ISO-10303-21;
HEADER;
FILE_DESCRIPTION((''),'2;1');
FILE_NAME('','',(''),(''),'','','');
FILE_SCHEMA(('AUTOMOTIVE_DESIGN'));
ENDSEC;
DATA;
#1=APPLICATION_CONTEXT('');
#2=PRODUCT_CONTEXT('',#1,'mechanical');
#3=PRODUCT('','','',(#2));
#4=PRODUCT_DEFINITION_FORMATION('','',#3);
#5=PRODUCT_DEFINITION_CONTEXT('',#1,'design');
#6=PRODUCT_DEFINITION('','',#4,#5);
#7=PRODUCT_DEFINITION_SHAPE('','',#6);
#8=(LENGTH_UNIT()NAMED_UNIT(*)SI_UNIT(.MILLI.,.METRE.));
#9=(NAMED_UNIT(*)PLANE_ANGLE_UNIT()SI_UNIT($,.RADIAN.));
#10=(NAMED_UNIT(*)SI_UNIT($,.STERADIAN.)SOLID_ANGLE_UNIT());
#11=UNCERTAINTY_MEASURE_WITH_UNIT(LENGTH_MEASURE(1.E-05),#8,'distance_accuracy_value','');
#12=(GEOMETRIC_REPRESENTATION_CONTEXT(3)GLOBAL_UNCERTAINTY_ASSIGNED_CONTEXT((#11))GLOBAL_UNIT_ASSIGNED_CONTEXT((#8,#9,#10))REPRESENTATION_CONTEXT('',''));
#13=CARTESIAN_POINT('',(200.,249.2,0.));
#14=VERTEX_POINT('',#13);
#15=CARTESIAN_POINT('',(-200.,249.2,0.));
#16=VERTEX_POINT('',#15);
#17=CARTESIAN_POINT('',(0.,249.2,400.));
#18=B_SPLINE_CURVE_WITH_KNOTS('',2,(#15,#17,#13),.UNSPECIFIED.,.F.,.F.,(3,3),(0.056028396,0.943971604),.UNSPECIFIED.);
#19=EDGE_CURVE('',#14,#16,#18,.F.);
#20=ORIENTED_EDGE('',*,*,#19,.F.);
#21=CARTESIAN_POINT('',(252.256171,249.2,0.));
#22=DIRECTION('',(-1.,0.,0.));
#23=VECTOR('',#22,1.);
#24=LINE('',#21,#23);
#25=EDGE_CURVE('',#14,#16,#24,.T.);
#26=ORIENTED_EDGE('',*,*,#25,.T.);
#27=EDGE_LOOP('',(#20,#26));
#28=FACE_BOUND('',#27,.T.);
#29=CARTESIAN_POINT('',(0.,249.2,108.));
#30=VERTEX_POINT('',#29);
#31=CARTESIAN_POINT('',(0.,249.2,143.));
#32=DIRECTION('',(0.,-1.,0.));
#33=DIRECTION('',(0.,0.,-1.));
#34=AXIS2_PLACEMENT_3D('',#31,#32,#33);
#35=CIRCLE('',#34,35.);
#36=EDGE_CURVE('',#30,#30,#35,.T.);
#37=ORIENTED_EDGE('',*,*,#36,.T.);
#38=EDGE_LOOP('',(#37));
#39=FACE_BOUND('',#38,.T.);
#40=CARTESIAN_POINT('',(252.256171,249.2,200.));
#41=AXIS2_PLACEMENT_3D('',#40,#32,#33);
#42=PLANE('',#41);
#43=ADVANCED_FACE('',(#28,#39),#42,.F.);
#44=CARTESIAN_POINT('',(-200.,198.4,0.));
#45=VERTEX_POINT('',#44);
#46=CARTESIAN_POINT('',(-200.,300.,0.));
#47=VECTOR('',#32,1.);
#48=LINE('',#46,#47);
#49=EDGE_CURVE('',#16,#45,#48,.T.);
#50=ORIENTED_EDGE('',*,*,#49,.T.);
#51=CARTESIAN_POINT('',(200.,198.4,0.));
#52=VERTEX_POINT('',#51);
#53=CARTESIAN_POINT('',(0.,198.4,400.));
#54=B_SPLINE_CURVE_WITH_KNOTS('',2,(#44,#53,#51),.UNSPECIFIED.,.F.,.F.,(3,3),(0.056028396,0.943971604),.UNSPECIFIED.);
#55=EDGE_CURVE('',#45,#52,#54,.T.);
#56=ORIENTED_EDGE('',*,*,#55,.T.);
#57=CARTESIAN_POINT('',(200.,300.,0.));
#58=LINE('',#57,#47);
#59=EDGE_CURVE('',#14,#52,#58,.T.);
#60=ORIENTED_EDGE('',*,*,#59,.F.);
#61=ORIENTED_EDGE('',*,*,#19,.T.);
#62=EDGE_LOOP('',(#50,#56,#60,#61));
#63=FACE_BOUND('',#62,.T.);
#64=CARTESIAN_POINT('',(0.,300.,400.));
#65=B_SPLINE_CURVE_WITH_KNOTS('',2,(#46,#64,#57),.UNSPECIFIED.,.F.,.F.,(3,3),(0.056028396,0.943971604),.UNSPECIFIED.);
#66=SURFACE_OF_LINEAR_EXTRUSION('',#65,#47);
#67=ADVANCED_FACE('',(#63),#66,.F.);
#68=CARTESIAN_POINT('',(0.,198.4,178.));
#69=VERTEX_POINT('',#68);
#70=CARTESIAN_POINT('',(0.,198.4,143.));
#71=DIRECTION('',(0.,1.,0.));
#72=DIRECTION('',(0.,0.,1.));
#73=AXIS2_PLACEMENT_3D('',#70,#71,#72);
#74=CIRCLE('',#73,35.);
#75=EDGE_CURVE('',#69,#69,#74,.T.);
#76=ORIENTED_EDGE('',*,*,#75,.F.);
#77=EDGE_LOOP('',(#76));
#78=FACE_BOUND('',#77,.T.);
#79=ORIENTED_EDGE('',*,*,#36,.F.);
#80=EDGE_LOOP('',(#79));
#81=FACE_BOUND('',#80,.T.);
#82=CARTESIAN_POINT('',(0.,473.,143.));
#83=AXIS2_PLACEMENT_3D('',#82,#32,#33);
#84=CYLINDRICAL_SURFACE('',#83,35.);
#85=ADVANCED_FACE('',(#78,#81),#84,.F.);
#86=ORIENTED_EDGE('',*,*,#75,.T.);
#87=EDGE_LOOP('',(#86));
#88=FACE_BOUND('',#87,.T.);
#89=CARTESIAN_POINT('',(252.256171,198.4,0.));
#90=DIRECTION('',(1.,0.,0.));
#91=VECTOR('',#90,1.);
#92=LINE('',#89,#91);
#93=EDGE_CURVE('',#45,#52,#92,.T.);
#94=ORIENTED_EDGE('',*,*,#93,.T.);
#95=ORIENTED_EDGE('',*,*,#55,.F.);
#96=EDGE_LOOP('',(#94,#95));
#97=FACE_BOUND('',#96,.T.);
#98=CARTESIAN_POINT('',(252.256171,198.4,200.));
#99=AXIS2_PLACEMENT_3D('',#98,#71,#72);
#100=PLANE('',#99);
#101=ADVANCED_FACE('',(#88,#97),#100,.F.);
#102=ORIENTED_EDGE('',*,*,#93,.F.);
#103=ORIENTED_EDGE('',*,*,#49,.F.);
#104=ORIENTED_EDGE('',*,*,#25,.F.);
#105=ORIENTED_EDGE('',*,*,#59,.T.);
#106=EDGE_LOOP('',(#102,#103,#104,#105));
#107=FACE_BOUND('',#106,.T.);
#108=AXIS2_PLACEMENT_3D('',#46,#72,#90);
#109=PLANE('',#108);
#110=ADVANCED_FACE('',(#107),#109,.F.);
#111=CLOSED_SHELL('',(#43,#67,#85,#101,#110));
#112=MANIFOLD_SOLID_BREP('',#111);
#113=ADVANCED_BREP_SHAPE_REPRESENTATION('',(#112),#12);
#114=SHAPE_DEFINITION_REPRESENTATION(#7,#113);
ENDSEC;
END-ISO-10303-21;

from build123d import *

# Parameters (mm, degrees)
BOSS_EXTRUDE1_DEPTH     = 300
SKETCH3_R               = 15.5
CUT_EXTRUDE1_DEPTH      = 23
CUT_EXTRUDE1_DEPTH_BACK = 23
SKETCH4_R               = 35
CUT_EXTRUDE3_DEPTH      = 300
SKETCH5_W               = 496.22566609
SKETCH5_H               = 70.680473068
SKETCH5_W_2             = 504.512342242
SKETCH5_H_2             = 238.363802277
CUT_EXTRUDE4_DEPTH      = 201.0000001


with BuildPart() as part:
    # Sketch1 → Boss-Extrude1 (new body)
    with BuildSketch(Plane(origin=(0, 0, 0), x_dir=(1, 0, 0), z_dir=(0, 1, 0))):
        with BuildLine():
            Line((-200, 1e-09), (200, 1e-09))
            add(Edge.make_bspline(
                [(-200, 1e-09), (0, -400.000000001), (200, 1e-09)],
                knots=[0.056028396, 0.056028396, 0.056028396, 0.943971604, 0.943971604, 0.943971604], degree=2))
        make_face()
    extrude(amount=BOSS_EXTRUDE1_DEPTH)

    # Sketch3 → Cut-Extrude1 (cut, two sides)
    with BuildSketch(Plane(origin=(0, 150, 0), x_dir=(1, 0, 0), z_dir=(0, 1, 0))) as cut_extrude1_sk:
        with Locations((0, -142.999999999)):
            Circle(SKETCH3_R)
    extrude(amount=CUT_EXTRUDE1_DEPTH, mode=Mode.SUBTRACT)
    extrude(cut_extrude1_sk.sketch, amount=-CUT_EXTRUDE1_DEPTH_BACK, mode=Mode.SUBTRACT)

    # Sketch4 → Cut-Extrude3 (cut)
    with BuildSketch(Plane(origin=(0, 173, 0), x_dir=(1, 0, 0), z_dir=(0, 1, 0))):
        with Locations((0, -142.999999999)):
            Circle(SKETCH4_R)
    cut_extrude3 = extrude(amount=CUT_EXTRUDE3_DEPTH, mode=Mode.SUBTRACT)

    # Mirror1: Cut-Extrude3 across plane
    add(cut_extrude3.mirror(Plane.ZX.offset(150)), mode=Mode.SUBTRACT)

    # Sketch5 → Cut-Extrude4 (cut, through all)
    with BuildSketch(Plane(origin=(0, 0, 0), x_dir=(-1, 0, 0), z_dir=(0, 0, -1))):
        with Locations((-4.143338076, 284.540236534)):
            Rectangle(SKETCH5_W, SKETCH5_H)
        with Locations((0, 79.218098862)):
            Rectangle(SKETCH5_W_2, SKETCH5_H_2)
    extrude(amount=-CUT_EXTRUDE4_DEPTH, mode=Mode.SUBTRACT)


solid = part.part
